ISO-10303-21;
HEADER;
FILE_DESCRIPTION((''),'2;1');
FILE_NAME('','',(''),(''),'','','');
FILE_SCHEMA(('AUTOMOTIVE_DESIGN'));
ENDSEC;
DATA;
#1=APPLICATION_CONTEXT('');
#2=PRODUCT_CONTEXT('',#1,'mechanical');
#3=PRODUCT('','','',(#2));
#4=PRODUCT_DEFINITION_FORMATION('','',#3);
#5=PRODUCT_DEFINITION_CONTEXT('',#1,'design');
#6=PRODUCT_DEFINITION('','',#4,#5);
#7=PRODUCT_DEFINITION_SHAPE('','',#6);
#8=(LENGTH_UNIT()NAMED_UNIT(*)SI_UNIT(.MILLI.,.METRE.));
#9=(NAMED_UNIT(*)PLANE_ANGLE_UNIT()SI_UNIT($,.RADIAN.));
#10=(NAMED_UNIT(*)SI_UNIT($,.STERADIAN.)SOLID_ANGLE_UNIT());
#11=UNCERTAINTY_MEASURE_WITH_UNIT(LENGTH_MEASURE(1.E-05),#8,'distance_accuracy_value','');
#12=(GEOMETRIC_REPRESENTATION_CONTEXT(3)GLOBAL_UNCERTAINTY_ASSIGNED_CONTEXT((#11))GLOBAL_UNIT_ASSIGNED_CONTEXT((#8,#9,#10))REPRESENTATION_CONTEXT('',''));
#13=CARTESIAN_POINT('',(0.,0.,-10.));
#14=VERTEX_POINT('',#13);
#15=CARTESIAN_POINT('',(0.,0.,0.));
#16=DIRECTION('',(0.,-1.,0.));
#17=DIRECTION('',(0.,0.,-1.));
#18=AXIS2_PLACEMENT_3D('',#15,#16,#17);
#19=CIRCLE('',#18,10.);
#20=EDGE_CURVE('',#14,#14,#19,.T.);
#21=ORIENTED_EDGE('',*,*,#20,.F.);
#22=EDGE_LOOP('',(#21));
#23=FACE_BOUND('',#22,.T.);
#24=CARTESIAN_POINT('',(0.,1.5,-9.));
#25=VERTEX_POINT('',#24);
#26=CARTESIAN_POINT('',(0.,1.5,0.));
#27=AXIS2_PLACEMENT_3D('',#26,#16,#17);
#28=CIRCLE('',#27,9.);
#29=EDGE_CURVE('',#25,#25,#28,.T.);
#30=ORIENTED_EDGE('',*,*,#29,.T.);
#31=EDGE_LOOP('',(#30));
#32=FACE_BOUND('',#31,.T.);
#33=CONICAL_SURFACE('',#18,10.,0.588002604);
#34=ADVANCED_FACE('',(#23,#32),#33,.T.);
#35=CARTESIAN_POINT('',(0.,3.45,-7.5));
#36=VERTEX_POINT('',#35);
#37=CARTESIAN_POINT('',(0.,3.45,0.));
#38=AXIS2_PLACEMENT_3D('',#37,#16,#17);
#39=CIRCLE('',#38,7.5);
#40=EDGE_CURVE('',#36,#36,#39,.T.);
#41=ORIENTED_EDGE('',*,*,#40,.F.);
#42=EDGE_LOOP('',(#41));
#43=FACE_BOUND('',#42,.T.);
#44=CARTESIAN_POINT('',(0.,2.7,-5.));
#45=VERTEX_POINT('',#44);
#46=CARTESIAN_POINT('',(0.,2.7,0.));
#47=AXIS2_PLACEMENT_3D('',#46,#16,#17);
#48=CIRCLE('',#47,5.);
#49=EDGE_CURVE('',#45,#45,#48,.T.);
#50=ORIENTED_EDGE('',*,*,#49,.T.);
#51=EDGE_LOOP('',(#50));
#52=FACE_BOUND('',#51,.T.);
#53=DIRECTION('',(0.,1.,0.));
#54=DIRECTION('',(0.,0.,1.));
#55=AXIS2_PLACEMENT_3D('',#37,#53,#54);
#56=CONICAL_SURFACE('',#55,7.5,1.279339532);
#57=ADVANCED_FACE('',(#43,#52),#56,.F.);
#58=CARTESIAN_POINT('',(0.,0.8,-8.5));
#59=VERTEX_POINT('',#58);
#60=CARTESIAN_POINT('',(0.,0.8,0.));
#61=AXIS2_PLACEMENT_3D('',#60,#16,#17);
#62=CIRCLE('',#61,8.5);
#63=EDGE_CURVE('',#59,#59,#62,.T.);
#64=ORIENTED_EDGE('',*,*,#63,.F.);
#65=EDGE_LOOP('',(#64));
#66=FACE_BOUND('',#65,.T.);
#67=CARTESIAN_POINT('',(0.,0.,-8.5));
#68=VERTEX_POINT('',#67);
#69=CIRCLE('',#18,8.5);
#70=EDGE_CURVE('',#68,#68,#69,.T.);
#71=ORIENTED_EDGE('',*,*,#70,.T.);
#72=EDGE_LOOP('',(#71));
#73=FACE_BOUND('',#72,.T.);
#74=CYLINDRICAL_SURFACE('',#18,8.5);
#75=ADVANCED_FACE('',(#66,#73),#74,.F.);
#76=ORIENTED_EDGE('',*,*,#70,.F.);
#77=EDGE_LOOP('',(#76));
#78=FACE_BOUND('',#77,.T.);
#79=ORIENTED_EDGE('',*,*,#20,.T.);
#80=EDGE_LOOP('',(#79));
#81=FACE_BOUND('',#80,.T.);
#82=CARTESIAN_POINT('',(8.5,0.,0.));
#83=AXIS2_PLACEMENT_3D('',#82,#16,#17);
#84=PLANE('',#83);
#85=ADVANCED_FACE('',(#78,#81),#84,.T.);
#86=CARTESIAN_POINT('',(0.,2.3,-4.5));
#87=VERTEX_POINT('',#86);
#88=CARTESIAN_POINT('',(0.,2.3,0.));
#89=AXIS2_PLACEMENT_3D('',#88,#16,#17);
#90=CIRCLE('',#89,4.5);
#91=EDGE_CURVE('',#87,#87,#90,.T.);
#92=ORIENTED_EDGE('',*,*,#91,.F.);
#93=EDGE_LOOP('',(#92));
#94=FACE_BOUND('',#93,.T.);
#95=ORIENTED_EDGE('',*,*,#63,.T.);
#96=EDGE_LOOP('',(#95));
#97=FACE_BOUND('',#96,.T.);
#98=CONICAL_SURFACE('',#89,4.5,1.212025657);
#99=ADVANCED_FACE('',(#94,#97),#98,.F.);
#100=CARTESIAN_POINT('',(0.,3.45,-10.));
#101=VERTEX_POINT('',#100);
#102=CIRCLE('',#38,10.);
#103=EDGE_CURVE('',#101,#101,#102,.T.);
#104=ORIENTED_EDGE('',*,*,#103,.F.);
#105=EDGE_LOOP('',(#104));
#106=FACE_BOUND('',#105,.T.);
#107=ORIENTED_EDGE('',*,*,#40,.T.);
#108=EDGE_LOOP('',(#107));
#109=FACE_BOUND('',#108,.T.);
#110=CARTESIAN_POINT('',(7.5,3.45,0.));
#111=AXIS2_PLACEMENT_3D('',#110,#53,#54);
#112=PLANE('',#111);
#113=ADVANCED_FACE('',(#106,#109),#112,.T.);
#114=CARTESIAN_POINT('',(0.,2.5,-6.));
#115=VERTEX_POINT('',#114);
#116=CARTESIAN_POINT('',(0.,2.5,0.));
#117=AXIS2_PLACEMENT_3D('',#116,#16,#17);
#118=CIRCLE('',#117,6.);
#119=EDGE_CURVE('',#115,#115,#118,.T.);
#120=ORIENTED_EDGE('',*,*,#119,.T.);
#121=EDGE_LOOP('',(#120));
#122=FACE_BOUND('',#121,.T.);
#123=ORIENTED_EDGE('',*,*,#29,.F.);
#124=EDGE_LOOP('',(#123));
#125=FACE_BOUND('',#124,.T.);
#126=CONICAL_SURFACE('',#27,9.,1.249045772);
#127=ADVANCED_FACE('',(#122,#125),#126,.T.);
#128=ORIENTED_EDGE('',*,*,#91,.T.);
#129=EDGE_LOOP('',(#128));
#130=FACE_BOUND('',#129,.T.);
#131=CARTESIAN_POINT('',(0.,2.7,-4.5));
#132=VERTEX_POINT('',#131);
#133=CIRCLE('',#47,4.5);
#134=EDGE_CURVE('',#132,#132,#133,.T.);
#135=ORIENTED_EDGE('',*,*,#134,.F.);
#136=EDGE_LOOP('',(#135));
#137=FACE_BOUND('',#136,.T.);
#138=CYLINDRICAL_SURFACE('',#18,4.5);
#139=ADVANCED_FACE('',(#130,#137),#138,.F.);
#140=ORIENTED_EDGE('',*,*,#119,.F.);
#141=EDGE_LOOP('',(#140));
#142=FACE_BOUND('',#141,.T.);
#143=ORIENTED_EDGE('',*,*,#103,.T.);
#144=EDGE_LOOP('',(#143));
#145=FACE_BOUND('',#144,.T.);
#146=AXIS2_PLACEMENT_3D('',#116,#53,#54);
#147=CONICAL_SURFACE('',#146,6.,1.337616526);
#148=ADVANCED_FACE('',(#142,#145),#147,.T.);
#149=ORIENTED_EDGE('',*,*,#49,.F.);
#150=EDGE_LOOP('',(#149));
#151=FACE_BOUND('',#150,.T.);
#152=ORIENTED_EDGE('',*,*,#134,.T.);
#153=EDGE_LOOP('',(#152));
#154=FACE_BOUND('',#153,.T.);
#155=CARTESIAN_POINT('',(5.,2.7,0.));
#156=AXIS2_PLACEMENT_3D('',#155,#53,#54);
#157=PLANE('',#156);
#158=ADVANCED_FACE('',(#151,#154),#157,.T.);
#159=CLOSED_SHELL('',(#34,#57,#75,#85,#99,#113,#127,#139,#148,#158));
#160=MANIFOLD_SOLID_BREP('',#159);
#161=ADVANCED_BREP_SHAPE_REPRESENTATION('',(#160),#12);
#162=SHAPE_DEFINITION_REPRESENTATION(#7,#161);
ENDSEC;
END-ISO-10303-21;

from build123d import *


with BuildPart() as part:
    # Esquisse1 → Révolution1 (revolve)
    with BuildSketch(Plane.XY, mode=Mode.PRIVATE) as r_volution1_sk:
        Polygon((8.5, 0), (10, 0), (9, 1.5), (6, 2.5), (10, 3.45), (7.5, 3.45), (5, 2.7), (4.5, 2.7), (4.5, 2.3), (8.5, 0.8), align=None)
    revolve(r_volution1_sk.sketch.rotate(Axis((0, 0, 0), (0, 1, 0)), 90), axis=Axis((0, 0, 0), (0, 1, 0)))


solid = part.part
